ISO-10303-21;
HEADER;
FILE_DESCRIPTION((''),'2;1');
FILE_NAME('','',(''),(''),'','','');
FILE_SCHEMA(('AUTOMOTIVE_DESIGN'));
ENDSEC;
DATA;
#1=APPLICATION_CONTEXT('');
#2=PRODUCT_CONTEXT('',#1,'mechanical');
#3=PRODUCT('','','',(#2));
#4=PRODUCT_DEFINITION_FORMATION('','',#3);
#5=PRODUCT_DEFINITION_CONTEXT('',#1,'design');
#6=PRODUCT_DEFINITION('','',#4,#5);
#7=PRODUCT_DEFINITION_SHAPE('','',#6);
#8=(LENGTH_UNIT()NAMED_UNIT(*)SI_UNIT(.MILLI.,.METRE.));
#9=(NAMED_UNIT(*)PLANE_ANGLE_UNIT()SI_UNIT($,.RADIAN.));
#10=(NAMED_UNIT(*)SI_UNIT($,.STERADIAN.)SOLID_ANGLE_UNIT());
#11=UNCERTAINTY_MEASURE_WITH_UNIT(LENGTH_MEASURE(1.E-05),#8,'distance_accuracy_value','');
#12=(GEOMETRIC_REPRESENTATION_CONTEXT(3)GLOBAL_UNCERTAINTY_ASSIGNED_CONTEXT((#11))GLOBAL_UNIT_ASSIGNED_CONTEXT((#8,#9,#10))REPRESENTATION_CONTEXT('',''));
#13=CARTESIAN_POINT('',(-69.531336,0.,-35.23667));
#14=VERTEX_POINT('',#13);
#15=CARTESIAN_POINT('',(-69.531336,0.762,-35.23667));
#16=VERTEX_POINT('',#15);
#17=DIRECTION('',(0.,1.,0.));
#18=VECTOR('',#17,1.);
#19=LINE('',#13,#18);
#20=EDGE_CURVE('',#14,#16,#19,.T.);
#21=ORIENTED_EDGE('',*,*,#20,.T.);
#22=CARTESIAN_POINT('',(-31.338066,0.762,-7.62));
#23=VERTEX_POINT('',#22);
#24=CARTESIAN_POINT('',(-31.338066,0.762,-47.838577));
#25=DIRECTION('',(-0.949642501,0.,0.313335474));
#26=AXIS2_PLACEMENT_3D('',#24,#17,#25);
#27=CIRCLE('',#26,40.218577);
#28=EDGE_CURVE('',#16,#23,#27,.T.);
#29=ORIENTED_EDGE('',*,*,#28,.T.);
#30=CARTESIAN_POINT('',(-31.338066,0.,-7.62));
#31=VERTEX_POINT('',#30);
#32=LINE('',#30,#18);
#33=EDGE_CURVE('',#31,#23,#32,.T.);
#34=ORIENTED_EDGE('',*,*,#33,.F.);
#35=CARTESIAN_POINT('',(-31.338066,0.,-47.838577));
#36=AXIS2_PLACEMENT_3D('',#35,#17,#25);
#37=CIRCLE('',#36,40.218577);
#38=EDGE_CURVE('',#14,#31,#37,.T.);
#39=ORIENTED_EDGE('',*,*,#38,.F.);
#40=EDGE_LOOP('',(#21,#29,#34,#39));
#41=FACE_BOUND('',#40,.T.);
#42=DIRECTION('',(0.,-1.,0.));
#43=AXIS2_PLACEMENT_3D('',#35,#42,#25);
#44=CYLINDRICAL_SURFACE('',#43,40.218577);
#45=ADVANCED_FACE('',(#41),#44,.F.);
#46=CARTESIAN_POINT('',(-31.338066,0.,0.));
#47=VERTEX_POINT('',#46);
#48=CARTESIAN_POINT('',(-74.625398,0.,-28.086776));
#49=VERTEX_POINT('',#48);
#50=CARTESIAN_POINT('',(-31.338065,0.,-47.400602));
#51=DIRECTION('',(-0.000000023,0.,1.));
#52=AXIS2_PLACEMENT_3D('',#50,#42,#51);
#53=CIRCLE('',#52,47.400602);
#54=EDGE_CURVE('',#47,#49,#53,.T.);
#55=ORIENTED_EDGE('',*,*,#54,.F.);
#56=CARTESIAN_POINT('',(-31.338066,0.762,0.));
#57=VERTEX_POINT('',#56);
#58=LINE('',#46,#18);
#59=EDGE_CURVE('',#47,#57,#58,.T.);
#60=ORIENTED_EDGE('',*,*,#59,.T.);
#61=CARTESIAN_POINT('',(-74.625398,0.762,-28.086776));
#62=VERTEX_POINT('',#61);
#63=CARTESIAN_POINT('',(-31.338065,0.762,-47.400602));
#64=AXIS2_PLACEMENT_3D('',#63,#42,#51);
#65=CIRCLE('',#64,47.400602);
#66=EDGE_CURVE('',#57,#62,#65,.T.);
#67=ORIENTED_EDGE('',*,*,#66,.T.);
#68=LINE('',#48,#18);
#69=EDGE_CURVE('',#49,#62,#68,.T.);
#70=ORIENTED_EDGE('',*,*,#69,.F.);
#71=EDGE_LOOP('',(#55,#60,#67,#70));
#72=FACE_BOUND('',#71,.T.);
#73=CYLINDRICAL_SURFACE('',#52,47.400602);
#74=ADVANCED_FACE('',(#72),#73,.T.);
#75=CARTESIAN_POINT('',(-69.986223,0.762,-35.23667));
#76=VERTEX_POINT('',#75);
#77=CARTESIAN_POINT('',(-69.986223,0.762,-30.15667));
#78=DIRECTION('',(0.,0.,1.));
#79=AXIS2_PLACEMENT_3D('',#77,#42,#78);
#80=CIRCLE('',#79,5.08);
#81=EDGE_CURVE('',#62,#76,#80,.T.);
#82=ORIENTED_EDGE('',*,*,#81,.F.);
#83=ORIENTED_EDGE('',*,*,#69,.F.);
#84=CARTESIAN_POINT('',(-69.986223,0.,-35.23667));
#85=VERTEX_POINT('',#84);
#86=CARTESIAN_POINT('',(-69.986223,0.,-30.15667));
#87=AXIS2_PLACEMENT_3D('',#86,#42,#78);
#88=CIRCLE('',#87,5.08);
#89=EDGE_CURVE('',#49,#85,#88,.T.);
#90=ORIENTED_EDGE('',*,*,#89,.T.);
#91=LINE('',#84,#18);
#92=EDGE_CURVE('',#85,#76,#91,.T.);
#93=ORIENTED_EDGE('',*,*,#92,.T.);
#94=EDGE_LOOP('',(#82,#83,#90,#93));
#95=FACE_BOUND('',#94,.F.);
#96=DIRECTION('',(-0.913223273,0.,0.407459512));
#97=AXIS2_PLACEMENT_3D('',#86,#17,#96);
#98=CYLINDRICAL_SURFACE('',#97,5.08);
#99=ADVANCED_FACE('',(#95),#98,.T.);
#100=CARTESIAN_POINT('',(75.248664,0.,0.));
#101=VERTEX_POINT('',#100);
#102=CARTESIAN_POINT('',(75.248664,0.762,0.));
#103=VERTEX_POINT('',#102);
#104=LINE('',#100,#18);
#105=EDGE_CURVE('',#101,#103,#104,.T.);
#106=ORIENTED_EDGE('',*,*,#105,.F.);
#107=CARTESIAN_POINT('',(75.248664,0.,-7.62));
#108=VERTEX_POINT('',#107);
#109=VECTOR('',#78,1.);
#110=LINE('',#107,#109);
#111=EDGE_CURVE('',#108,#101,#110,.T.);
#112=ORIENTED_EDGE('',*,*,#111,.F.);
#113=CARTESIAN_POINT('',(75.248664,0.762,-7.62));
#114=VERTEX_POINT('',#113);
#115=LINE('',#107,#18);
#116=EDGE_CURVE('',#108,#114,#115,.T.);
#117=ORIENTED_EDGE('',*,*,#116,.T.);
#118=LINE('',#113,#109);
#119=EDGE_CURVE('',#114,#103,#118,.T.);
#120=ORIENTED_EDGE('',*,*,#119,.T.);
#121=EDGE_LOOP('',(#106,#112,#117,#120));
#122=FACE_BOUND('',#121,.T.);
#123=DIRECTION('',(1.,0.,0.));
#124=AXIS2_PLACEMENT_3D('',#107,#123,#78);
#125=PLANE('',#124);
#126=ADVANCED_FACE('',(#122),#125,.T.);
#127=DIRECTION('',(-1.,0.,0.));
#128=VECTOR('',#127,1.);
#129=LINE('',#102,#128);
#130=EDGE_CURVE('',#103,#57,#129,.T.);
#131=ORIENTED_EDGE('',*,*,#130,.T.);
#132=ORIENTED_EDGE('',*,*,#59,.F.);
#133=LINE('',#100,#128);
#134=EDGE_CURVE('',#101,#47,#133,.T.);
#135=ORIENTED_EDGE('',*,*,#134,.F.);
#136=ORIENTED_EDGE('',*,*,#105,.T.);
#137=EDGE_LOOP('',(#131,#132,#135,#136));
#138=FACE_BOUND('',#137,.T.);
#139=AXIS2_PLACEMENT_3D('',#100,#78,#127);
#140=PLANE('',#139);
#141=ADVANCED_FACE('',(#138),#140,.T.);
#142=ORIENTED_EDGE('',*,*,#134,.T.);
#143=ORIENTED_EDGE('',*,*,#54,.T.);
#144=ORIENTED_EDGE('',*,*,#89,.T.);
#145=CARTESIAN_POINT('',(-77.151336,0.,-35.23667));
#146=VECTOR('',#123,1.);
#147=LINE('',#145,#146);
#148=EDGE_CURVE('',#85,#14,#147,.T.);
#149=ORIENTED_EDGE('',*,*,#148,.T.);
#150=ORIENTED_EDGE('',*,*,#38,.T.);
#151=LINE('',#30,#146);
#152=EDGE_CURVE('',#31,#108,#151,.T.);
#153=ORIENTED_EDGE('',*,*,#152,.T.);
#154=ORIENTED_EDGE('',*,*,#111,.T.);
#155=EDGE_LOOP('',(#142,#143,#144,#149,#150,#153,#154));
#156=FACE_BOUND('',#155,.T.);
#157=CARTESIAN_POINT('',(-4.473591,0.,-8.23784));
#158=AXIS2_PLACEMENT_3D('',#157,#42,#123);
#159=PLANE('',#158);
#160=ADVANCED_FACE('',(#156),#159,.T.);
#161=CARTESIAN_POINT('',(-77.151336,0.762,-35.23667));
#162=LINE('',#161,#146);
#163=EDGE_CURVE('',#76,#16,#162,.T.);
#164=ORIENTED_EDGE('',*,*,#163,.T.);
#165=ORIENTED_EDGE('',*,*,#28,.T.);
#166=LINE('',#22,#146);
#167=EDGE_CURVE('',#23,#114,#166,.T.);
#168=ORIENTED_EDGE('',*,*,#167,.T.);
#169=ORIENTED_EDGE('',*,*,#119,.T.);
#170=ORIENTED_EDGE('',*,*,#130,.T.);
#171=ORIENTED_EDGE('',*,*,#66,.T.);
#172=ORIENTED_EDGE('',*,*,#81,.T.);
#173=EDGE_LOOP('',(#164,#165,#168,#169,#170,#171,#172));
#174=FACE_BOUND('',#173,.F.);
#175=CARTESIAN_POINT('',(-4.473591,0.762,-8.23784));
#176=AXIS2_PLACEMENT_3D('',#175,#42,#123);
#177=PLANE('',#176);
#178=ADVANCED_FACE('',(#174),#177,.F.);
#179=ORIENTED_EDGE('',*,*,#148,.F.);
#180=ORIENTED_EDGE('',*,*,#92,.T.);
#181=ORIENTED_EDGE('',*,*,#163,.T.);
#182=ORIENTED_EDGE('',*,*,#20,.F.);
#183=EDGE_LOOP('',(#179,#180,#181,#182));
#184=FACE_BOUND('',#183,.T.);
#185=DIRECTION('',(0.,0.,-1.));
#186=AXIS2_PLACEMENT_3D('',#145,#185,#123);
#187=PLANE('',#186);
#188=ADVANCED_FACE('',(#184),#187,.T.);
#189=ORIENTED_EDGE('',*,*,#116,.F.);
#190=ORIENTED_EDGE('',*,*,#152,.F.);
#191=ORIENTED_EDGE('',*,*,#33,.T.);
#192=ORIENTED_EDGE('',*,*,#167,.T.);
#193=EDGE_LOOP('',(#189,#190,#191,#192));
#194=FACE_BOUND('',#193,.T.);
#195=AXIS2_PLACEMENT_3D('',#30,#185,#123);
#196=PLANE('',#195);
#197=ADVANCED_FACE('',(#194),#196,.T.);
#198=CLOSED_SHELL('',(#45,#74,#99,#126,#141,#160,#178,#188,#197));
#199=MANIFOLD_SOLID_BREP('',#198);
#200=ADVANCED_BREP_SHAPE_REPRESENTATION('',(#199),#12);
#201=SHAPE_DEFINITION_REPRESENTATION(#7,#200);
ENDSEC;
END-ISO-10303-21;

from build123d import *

# Parameters (mm, degrees)
F1_DEPTH = 0.762
F2_R     = 5.08


with BuildPart() as f1:
    # F0 (on Front) → F1 (new body)
    with BuildSketch(Plane.XZ):
        with BuildLine():
            Line((75.248664, -7.62), (75.248664, 0))
            Line((75.248664, 0), (-31.338066, 0))
            ThreePointArc((-31.338066, 0), (-60.236503, -9.828041), (-77.151336, -35.23667))
            Line((-77.151336, -35.23667), (-69.531336, -35.23667))
            ThreePointArc((-69.531336, -35.23667), (-54.903965, -15.247438), (-31.338066, -7.62))
            Line((-31.338066, -7.62), (75.248664, -7.62))
        make_face()
    extrude(amount=-F1_DEPTH)

    # F2
    f2_edges = [f1.edges().sort_by_distance(p)[0] for p in [
        (-77.151336, 0.381, -35.23667),
    ]]
    fillet(f2_edges, radius=F2_R)


solid = f1.part
